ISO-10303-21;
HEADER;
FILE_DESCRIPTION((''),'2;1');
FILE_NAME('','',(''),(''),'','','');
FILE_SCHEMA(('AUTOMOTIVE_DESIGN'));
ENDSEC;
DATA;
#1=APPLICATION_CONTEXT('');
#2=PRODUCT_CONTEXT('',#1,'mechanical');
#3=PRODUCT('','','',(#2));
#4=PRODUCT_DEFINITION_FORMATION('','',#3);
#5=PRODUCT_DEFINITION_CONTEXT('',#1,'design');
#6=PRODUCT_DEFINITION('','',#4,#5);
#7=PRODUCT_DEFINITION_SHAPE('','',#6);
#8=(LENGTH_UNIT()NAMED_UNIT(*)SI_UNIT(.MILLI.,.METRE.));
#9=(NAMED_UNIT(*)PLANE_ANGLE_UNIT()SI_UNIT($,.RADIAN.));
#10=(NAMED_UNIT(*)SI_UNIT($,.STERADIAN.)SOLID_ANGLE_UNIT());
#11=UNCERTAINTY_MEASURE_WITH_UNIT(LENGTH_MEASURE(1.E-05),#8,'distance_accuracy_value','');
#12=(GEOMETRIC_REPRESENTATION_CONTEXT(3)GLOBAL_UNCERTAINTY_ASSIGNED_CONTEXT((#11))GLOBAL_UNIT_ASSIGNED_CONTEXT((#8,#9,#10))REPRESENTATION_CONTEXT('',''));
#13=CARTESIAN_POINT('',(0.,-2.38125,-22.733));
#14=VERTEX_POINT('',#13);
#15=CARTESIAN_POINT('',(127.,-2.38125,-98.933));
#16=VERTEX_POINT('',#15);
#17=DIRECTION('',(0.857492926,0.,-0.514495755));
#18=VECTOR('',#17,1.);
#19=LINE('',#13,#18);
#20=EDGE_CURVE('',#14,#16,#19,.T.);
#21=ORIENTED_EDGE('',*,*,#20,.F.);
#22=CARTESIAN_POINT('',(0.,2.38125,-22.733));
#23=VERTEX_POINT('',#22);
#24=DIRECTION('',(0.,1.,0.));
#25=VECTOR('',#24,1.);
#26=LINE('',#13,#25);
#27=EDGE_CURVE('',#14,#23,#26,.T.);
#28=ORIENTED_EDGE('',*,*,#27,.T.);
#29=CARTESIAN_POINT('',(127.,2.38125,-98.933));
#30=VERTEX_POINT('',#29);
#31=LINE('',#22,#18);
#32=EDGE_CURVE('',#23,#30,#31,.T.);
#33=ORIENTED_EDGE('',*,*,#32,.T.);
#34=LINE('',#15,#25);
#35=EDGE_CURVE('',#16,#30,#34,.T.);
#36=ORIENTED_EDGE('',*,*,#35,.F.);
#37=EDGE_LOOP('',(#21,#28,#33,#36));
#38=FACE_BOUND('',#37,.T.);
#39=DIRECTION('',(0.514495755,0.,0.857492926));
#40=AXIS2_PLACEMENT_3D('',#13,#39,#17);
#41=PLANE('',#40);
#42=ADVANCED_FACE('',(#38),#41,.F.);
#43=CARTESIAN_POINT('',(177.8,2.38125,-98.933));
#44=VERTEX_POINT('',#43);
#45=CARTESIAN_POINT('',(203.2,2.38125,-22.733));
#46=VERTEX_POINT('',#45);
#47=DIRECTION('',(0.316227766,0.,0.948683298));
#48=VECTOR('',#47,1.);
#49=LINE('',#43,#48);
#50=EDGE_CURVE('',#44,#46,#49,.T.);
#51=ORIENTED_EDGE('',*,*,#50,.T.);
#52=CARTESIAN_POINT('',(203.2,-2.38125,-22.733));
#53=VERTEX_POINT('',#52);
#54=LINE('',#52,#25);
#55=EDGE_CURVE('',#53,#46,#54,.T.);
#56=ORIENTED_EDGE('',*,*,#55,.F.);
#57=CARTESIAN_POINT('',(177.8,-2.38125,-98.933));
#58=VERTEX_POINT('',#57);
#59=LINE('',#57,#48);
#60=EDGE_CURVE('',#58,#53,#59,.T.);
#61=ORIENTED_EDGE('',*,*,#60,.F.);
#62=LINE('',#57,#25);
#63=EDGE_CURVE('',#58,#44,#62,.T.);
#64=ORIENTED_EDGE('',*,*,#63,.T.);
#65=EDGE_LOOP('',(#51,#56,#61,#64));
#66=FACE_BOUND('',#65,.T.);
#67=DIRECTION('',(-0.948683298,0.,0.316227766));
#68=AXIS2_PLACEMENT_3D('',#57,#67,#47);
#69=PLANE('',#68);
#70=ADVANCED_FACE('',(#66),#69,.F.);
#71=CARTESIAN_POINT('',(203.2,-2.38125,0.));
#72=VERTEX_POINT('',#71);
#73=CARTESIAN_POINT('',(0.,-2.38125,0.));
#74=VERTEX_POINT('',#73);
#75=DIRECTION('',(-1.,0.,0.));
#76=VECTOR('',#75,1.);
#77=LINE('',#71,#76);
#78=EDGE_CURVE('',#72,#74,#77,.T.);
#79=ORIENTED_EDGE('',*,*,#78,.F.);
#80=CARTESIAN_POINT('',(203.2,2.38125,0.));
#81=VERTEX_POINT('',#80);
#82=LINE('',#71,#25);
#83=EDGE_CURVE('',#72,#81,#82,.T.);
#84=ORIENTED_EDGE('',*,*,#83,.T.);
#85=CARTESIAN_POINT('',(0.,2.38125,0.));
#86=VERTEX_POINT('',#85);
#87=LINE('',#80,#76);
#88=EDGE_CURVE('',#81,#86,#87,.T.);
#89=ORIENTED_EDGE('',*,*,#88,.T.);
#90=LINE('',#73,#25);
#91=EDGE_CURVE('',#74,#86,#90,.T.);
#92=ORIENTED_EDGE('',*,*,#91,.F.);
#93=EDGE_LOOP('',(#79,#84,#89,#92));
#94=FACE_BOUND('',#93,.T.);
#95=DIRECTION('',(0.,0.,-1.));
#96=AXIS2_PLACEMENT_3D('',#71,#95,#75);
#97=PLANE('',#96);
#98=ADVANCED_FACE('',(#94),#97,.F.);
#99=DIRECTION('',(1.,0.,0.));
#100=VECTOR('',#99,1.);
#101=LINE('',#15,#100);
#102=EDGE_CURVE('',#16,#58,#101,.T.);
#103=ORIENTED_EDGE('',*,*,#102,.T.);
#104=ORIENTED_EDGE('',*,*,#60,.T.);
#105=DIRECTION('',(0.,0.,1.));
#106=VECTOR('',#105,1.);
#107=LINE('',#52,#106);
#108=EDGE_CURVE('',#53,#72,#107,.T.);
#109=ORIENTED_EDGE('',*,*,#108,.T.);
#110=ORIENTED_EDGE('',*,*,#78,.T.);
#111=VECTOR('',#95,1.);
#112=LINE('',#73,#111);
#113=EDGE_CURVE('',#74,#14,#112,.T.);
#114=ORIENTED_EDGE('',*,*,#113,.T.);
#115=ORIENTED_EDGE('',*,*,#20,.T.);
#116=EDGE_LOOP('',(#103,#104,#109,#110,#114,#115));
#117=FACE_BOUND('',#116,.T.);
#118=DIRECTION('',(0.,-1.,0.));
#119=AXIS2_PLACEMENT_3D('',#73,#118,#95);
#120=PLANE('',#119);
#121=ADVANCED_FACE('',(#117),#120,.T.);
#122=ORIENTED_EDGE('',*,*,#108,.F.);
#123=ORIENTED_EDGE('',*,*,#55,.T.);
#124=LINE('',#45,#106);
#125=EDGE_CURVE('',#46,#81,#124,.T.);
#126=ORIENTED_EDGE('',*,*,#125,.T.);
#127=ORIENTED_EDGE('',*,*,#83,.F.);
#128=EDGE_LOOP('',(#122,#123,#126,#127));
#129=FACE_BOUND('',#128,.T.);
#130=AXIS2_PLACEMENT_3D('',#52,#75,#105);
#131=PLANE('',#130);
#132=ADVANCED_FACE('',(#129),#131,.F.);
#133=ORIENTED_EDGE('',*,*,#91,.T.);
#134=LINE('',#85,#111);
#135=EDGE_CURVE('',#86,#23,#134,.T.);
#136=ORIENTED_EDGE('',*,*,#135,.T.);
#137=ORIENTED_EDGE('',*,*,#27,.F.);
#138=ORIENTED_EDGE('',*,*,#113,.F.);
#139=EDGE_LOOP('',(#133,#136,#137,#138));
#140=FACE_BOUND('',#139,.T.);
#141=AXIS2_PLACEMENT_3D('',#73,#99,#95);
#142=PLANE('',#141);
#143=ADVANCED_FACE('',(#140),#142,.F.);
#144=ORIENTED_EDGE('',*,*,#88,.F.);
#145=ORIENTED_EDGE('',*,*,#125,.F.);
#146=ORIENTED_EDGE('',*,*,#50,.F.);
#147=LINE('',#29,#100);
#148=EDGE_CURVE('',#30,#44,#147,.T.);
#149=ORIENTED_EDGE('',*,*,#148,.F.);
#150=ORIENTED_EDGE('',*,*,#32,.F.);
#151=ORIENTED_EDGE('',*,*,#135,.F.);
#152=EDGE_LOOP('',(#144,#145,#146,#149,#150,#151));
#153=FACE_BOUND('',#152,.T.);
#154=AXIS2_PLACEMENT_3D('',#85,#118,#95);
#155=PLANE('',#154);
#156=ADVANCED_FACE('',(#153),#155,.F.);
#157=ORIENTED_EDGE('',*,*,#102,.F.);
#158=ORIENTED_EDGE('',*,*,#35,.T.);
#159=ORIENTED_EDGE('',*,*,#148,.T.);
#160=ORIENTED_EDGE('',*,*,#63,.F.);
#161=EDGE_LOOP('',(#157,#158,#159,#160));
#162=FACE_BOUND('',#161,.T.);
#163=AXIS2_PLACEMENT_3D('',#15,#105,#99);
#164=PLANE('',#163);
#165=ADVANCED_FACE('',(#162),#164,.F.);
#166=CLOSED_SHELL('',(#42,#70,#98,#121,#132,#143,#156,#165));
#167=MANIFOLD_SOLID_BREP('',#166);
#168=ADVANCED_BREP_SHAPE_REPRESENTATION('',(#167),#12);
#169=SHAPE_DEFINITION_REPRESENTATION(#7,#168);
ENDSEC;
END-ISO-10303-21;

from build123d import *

# Parameters (mm, degrees)
BOSS_EXTRUDE1_DEPTH      = 2.38125
BOSS_EXTRUDE1_DEPTH_BACK = 2.38125


with BuildPart() as part:
    # Sketch1 → Boss-Extrude1 (new, two sides: drawn at the far end of the back side and taken through both)
    with BuildSketch(Plane(origin=(0, 0, 0), x_dir=(1, 0, 0), z_dir=(0, 1, 0)).offset(-BOSS_EXTRUDE1_DEPTH_BACK)):
        Polygon((0, 0), (0, 22.733), (127, 98.933), (177.8, 98.933), (203.2, 22.733), (203.2, 0), align=None)
    extrude(amount=BOSS_EXTRUDE1_DEPTH + BOSS_EXTRUDE1_DEPTH_BACK)


solid = part.part
